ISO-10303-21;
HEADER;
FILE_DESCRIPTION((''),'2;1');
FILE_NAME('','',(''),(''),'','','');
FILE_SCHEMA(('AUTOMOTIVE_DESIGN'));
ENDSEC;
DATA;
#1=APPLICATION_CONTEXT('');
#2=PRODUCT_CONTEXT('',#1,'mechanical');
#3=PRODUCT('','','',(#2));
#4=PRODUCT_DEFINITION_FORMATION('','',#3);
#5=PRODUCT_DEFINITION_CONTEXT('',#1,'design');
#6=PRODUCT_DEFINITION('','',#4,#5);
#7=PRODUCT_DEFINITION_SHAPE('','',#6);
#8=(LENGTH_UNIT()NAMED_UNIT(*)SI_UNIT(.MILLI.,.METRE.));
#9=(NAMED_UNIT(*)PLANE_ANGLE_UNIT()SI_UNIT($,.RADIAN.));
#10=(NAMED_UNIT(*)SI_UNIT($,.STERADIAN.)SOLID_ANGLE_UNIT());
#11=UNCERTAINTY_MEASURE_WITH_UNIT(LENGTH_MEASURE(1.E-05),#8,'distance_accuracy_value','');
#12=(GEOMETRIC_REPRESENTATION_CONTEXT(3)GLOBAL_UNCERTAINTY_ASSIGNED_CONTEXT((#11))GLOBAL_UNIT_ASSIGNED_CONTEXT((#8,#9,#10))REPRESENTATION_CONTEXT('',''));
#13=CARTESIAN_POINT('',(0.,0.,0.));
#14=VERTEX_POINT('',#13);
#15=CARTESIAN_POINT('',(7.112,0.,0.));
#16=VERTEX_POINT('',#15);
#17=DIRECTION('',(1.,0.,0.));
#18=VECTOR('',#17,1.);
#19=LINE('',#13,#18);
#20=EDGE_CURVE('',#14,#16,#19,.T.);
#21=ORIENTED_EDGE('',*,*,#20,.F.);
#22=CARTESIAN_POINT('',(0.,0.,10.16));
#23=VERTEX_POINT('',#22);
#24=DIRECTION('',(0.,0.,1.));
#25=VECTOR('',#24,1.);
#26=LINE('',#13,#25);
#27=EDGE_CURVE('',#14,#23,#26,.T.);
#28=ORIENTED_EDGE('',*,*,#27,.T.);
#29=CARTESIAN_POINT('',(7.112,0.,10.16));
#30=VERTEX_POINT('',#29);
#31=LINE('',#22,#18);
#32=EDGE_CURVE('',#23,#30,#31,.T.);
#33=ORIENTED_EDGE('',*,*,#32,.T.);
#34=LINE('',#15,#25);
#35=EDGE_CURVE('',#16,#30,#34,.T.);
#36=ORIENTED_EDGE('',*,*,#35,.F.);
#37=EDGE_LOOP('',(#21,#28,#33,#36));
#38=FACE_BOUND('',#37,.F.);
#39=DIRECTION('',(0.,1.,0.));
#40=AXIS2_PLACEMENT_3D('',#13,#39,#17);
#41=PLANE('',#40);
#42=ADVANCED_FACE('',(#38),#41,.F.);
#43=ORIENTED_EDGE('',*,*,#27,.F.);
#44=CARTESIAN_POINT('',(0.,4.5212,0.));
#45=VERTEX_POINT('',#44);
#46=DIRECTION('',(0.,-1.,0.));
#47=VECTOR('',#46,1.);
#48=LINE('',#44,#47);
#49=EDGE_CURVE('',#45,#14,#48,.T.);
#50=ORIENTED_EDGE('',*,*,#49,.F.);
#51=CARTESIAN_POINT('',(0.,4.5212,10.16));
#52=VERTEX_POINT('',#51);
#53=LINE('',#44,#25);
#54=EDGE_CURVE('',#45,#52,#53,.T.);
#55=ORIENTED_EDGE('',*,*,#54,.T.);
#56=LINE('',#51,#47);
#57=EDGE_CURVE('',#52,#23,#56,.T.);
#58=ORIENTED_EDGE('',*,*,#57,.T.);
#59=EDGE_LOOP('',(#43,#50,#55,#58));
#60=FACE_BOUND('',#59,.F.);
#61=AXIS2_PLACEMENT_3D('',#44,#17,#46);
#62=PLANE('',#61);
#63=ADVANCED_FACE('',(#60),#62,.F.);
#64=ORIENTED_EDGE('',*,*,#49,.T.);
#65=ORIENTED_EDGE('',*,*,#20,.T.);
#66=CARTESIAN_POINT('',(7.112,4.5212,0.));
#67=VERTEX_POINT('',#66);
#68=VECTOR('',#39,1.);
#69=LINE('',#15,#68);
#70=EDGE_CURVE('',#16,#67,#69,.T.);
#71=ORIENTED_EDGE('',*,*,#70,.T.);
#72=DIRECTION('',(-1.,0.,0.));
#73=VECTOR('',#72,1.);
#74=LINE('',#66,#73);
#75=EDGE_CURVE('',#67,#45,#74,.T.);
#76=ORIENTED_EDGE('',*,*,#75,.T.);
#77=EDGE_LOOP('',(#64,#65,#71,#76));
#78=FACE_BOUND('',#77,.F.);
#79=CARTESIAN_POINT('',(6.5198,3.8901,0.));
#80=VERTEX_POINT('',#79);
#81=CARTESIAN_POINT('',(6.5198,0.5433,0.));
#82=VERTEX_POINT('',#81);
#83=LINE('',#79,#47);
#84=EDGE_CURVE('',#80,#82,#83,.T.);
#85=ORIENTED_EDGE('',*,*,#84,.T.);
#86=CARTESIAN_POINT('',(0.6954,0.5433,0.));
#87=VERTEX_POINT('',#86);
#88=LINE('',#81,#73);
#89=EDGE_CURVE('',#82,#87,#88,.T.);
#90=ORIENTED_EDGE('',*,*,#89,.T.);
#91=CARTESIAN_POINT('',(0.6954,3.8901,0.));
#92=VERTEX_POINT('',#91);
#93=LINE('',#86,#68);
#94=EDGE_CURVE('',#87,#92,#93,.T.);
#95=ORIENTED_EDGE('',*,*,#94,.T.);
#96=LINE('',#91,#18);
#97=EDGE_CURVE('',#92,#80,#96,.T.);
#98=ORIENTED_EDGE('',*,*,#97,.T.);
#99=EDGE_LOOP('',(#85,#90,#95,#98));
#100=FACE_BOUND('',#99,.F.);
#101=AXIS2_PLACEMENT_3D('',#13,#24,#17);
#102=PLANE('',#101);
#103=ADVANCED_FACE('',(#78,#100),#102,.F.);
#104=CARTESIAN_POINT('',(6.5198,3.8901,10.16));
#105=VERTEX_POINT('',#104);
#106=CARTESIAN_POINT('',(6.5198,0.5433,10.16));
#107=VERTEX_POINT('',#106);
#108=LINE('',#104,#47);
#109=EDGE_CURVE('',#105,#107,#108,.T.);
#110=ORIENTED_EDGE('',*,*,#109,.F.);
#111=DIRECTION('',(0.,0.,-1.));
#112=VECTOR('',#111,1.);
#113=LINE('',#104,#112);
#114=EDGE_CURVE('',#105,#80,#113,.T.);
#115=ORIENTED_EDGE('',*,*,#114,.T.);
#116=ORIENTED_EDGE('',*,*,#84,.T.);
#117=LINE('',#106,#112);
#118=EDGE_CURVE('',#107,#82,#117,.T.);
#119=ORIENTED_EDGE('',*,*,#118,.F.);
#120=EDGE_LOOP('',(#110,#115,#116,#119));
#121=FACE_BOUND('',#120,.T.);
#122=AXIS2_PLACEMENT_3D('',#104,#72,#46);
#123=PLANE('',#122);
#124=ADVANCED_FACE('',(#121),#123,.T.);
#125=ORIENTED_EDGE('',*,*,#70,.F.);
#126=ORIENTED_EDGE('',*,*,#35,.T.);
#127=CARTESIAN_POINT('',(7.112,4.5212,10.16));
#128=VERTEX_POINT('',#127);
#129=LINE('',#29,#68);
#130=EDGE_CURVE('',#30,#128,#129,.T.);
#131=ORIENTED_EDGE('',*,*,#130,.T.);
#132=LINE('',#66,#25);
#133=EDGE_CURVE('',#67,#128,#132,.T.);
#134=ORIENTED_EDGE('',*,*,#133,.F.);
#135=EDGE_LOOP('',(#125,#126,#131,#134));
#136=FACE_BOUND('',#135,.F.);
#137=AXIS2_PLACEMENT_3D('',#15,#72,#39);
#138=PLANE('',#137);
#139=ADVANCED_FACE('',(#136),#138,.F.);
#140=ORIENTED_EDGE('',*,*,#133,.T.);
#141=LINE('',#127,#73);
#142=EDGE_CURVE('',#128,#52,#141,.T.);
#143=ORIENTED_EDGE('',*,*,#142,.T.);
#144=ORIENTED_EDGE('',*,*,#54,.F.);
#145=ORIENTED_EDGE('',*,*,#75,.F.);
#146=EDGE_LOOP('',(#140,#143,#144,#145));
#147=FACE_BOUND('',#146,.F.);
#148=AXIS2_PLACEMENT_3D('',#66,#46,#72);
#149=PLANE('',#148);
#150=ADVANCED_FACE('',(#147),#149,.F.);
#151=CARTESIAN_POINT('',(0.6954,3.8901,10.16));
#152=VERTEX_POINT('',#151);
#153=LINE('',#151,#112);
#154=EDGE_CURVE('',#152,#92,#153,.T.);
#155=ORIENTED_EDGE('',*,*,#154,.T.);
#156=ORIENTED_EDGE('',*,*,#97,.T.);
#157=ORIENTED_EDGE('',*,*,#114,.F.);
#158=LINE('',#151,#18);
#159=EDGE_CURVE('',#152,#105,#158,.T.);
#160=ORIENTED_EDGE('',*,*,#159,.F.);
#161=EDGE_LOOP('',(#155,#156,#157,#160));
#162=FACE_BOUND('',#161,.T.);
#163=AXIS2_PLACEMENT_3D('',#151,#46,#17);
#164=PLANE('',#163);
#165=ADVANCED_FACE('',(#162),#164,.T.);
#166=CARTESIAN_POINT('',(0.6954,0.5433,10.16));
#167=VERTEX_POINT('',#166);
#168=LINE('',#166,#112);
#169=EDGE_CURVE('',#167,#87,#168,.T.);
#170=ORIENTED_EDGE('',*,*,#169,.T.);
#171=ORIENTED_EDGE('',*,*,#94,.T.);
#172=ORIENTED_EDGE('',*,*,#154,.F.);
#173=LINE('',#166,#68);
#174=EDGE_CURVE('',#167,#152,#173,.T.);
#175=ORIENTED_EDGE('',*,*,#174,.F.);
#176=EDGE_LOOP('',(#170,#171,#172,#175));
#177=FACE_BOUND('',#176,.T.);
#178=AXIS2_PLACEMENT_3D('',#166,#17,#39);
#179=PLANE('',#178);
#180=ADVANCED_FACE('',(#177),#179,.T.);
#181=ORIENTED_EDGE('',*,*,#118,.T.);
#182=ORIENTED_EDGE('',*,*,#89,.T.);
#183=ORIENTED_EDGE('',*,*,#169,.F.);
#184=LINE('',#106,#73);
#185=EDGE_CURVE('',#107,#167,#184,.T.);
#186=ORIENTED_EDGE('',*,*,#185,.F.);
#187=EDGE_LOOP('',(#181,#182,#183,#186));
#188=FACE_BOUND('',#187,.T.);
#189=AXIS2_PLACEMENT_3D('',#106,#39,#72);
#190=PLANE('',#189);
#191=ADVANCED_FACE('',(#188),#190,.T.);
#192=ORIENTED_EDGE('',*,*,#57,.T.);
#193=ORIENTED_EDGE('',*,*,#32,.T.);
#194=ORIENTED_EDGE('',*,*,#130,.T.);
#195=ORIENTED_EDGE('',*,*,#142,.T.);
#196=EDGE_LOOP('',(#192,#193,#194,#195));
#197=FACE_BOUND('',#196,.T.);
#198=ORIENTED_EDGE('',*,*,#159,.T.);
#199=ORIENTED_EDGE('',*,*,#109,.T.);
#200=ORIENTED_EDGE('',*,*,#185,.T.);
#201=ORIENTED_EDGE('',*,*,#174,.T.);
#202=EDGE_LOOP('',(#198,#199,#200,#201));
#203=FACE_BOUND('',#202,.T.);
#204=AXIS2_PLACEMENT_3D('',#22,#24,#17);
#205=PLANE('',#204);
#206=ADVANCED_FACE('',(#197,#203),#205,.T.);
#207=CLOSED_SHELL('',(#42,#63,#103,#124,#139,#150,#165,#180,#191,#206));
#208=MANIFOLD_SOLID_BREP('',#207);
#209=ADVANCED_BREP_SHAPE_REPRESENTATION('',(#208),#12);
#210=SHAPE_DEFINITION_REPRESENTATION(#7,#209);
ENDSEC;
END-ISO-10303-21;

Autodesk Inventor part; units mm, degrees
ref_plane "YZ Plane" through (0, 0, 0) normal (1, 0, 0) x (0, 1, 0)
ref_plane "XZ Plane" through (0, 0, 0) normal (0, 1, 0) x (-1, 0, 0)
ref_plane "XY Plane" through (0, 0, 0) normal (0, 0, 1) x (1, 0, 0)
sketch "Sketch1" plane through (0, 0, 0) normal (0, 0, 1) x (1, 0, 0)
  line L0 (0, 0) -> (7.112, 0)
  line L1 (7.112, 0) -> (7.112, 4.5212)
  line L2 (7.112, 4.5212) -> (0, 4.5212)
  line L3 (0, 4.5212) -> (0, 0)
  dimension "d0" = 7.112
  dimension "d1" = 4.5212
extrude "Extrusion1" add sketch "Sketch1" along normal blind 10.16
sketch "Sketch2" plane through (0, 0, 10.16) normal (0, 0, 1) x (1, 0, 0)
  line L0 (0.6954, 3.8901) -> (6.5198, 3.8901)
  line L1 (6.5198, 3.8901) -> (6.5198, 0.5433)
  line L2 (6.5198, 0.5433) -> (0.6954, 0.5433)
  line L3 (0.6954, 0.5433) -> (0.6954, 3.8901)
  point P0 (0, 0)
extrude "Extrusion2" cut sketch "Sketch2" against normal blind 10.16
properties part number "connection"
